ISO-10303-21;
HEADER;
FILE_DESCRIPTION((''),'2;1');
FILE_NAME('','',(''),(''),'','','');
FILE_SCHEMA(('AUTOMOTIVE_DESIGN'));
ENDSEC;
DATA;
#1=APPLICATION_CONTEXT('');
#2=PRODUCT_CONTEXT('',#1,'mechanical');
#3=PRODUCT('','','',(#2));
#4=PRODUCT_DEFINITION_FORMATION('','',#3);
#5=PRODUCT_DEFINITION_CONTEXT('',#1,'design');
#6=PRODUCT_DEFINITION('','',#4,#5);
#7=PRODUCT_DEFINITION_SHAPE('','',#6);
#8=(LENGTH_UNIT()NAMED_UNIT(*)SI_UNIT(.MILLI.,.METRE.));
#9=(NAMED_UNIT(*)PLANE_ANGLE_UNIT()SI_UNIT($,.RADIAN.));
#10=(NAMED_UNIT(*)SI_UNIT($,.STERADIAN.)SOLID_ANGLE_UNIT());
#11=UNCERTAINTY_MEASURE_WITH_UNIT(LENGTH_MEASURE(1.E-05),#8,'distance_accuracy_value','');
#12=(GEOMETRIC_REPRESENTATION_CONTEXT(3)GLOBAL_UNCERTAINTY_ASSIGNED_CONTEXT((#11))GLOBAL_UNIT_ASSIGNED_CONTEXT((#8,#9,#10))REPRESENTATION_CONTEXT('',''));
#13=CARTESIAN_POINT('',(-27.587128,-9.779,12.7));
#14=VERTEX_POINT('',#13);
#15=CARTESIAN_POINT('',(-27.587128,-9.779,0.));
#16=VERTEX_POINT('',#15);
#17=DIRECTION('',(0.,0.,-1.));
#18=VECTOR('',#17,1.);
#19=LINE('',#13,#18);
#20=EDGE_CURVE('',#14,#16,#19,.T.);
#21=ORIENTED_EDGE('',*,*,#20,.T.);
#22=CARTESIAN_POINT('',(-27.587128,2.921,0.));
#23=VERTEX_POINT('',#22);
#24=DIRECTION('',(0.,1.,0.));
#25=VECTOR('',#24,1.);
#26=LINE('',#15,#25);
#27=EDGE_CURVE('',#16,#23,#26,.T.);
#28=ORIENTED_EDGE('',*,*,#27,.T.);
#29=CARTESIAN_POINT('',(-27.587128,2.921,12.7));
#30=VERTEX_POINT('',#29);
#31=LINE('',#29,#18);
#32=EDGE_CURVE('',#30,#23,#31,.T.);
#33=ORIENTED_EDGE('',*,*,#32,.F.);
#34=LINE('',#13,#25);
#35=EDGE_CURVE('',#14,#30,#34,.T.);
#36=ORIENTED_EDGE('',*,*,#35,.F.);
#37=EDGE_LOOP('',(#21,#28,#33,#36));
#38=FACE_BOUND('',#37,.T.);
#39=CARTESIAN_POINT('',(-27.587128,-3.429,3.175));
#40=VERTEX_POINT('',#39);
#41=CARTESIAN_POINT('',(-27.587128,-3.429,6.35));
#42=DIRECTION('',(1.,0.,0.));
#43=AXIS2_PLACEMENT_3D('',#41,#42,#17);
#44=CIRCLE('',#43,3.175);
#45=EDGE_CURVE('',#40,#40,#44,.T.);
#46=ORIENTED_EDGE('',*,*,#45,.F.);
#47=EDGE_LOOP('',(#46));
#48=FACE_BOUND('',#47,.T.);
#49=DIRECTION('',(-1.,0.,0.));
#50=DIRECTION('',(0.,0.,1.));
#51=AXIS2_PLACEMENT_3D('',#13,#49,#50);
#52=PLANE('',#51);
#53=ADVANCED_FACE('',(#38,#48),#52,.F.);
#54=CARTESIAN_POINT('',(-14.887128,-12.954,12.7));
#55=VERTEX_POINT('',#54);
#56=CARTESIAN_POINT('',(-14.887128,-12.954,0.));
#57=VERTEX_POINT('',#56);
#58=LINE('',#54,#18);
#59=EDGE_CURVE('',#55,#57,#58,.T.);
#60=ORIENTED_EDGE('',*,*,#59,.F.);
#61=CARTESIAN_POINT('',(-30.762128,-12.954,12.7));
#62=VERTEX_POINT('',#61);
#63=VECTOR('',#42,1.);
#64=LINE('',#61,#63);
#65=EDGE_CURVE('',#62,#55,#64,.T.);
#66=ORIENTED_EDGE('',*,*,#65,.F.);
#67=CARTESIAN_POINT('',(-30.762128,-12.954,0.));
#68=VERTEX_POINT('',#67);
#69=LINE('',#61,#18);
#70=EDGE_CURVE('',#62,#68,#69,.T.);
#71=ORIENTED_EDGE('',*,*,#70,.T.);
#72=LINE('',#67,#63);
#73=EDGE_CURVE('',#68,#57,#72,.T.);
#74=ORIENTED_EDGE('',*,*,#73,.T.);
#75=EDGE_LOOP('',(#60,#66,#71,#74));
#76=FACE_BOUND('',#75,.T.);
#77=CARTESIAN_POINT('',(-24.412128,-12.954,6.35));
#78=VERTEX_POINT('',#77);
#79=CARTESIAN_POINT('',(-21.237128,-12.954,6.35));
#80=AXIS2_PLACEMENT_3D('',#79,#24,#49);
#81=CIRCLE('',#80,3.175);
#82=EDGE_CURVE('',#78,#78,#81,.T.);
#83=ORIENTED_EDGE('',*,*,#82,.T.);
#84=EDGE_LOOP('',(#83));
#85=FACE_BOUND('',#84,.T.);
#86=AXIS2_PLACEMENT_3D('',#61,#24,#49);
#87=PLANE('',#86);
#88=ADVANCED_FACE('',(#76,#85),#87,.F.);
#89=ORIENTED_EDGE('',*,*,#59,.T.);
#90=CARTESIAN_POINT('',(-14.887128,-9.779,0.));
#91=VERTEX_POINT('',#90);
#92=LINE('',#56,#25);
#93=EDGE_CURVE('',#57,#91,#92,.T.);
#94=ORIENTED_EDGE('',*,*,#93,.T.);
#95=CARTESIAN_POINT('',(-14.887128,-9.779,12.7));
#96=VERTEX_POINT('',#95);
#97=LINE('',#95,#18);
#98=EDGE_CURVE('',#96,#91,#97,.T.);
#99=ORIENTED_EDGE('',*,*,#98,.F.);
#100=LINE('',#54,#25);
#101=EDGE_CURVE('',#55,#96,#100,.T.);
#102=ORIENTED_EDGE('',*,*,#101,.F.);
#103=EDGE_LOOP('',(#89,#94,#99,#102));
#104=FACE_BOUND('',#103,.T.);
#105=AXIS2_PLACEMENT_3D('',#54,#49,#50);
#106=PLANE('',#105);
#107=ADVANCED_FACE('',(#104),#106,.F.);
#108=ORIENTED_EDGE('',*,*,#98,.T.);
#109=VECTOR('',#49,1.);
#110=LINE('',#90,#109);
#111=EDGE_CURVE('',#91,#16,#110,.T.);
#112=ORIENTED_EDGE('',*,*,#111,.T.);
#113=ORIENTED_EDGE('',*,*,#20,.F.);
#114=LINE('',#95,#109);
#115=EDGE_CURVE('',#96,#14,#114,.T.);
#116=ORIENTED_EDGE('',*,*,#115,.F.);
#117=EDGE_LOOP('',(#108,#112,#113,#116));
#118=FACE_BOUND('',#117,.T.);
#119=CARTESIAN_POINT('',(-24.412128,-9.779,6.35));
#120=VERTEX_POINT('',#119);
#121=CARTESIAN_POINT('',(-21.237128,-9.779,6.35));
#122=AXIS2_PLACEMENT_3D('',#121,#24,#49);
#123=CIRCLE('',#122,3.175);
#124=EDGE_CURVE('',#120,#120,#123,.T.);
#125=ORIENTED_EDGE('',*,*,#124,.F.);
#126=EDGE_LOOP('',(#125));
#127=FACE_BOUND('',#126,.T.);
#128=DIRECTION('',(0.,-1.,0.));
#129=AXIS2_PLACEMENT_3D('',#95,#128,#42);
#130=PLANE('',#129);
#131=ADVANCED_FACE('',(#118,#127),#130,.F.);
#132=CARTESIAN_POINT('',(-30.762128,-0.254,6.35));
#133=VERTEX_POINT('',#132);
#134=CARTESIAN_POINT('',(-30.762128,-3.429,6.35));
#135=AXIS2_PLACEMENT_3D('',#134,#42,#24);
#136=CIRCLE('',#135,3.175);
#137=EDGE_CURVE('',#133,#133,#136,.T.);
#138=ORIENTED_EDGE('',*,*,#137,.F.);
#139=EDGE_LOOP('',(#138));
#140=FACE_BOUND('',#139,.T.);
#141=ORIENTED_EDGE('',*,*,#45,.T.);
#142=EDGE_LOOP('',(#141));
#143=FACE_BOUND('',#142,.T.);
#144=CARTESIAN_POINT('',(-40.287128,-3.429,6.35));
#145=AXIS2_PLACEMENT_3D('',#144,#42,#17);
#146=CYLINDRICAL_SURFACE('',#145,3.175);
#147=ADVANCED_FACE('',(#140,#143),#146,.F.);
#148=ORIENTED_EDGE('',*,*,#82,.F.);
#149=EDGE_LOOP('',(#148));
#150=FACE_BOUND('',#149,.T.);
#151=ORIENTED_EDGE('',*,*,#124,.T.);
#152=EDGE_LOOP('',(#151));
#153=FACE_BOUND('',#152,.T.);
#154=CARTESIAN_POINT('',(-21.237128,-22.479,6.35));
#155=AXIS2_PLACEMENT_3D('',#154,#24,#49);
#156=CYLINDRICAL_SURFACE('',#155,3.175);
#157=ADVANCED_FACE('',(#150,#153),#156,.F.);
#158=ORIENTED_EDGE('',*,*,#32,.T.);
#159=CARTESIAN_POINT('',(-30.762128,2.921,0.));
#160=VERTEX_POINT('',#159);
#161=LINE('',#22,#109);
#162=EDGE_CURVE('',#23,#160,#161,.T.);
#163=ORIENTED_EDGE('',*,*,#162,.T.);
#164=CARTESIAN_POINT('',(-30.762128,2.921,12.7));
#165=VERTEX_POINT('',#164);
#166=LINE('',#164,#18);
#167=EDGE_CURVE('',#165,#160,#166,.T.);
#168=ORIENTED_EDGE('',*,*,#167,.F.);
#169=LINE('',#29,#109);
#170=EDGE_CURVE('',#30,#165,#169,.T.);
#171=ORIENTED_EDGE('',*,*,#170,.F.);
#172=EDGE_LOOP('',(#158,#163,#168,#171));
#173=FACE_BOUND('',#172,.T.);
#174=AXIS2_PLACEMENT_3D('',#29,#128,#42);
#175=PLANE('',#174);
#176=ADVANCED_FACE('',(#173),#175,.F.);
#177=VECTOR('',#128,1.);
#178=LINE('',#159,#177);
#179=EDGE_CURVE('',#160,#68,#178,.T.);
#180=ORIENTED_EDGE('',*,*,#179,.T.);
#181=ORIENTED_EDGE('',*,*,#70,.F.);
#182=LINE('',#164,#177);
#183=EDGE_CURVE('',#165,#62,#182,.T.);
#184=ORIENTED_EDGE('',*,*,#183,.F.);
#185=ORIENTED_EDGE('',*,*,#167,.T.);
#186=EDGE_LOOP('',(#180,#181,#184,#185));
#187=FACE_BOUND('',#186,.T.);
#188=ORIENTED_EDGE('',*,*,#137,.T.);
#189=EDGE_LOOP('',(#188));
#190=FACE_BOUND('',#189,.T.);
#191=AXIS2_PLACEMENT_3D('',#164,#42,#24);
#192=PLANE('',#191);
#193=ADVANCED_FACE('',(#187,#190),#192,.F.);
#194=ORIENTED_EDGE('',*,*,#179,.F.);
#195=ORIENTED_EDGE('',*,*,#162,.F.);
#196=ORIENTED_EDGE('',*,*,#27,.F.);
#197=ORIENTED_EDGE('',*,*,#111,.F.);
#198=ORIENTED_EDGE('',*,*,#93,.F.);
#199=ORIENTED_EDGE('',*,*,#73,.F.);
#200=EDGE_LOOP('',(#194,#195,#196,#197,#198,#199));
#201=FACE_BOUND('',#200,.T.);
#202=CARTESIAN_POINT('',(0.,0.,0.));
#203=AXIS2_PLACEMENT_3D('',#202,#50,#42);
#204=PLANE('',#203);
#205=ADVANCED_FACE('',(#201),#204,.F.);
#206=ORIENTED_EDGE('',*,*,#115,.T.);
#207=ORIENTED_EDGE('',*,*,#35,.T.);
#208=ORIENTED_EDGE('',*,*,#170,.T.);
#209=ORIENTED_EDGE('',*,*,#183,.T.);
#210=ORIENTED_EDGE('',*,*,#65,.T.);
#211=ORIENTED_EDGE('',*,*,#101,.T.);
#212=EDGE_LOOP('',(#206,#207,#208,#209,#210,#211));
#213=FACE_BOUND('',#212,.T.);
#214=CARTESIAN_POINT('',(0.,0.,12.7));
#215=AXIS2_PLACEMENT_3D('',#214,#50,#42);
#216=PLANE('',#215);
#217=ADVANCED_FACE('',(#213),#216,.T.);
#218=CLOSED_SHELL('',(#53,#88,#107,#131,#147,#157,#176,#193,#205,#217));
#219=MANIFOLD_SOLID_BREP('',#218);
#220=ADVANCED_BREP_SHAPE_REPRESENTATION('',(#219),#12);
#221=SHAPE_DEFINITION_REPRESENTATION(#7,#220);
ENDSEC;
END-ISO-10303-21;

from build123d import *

# Parameters (mm, degrees)
BOSS_EXTRUDE1_DEPTH = 12.7
SKETCH2_R           = 3.175
CUT_EXTRUDE1_DEPTH  = 12.7
SKETCH3_R           = 3.175
CUT_EXTRUDE2_DEPTH  = 12.7


with BuildPart() as part:
    # Sketch1 → Boss-Extrude1 (new body)
    with BuildSketch(Plane.XY):
        Polygon((-30.762128425, 2.921), (-30.762128425, -12.954), (-14.887128425, -12.954), (-14.887128425, -9.779), (-27.587128425, -9.779), (-27.587128425, 2.921), align=None)
    extrude(amount=BOSS_EXTRUDE1_DEPTH)

    # Sketch2 → Cut-Extrude1 (cut)
    with BuildSketch(Plane(origin=(-27.587128425, 0, 0), x_dir=(0, 0, -1), z_dir=(1, 0, 0))):
        with Locations((-6.35, -3.429)):
            Circle(SKETCH2_R)
    extrude(amount=-CUT_EXTRUDE1_DEPTH, mode=Mode.SUBTRACT)

    # Sketch3 → Cut-Extrude2 (cut)
    with BuildSketch(Plane(origin=(0, -9.779, 0), x_dir=(1, 0, 0), z_dir=(0, 1, 0))):
        with Locations(Location((-21.237128425, -6.35, 0), (0, 0, 180))):
            Circle(SKETCH3_R)
    extrude(amount=-CUT_EXTRUDE2_DEPTH, mode=Mode.SUBTRACT)


solid = part.part
